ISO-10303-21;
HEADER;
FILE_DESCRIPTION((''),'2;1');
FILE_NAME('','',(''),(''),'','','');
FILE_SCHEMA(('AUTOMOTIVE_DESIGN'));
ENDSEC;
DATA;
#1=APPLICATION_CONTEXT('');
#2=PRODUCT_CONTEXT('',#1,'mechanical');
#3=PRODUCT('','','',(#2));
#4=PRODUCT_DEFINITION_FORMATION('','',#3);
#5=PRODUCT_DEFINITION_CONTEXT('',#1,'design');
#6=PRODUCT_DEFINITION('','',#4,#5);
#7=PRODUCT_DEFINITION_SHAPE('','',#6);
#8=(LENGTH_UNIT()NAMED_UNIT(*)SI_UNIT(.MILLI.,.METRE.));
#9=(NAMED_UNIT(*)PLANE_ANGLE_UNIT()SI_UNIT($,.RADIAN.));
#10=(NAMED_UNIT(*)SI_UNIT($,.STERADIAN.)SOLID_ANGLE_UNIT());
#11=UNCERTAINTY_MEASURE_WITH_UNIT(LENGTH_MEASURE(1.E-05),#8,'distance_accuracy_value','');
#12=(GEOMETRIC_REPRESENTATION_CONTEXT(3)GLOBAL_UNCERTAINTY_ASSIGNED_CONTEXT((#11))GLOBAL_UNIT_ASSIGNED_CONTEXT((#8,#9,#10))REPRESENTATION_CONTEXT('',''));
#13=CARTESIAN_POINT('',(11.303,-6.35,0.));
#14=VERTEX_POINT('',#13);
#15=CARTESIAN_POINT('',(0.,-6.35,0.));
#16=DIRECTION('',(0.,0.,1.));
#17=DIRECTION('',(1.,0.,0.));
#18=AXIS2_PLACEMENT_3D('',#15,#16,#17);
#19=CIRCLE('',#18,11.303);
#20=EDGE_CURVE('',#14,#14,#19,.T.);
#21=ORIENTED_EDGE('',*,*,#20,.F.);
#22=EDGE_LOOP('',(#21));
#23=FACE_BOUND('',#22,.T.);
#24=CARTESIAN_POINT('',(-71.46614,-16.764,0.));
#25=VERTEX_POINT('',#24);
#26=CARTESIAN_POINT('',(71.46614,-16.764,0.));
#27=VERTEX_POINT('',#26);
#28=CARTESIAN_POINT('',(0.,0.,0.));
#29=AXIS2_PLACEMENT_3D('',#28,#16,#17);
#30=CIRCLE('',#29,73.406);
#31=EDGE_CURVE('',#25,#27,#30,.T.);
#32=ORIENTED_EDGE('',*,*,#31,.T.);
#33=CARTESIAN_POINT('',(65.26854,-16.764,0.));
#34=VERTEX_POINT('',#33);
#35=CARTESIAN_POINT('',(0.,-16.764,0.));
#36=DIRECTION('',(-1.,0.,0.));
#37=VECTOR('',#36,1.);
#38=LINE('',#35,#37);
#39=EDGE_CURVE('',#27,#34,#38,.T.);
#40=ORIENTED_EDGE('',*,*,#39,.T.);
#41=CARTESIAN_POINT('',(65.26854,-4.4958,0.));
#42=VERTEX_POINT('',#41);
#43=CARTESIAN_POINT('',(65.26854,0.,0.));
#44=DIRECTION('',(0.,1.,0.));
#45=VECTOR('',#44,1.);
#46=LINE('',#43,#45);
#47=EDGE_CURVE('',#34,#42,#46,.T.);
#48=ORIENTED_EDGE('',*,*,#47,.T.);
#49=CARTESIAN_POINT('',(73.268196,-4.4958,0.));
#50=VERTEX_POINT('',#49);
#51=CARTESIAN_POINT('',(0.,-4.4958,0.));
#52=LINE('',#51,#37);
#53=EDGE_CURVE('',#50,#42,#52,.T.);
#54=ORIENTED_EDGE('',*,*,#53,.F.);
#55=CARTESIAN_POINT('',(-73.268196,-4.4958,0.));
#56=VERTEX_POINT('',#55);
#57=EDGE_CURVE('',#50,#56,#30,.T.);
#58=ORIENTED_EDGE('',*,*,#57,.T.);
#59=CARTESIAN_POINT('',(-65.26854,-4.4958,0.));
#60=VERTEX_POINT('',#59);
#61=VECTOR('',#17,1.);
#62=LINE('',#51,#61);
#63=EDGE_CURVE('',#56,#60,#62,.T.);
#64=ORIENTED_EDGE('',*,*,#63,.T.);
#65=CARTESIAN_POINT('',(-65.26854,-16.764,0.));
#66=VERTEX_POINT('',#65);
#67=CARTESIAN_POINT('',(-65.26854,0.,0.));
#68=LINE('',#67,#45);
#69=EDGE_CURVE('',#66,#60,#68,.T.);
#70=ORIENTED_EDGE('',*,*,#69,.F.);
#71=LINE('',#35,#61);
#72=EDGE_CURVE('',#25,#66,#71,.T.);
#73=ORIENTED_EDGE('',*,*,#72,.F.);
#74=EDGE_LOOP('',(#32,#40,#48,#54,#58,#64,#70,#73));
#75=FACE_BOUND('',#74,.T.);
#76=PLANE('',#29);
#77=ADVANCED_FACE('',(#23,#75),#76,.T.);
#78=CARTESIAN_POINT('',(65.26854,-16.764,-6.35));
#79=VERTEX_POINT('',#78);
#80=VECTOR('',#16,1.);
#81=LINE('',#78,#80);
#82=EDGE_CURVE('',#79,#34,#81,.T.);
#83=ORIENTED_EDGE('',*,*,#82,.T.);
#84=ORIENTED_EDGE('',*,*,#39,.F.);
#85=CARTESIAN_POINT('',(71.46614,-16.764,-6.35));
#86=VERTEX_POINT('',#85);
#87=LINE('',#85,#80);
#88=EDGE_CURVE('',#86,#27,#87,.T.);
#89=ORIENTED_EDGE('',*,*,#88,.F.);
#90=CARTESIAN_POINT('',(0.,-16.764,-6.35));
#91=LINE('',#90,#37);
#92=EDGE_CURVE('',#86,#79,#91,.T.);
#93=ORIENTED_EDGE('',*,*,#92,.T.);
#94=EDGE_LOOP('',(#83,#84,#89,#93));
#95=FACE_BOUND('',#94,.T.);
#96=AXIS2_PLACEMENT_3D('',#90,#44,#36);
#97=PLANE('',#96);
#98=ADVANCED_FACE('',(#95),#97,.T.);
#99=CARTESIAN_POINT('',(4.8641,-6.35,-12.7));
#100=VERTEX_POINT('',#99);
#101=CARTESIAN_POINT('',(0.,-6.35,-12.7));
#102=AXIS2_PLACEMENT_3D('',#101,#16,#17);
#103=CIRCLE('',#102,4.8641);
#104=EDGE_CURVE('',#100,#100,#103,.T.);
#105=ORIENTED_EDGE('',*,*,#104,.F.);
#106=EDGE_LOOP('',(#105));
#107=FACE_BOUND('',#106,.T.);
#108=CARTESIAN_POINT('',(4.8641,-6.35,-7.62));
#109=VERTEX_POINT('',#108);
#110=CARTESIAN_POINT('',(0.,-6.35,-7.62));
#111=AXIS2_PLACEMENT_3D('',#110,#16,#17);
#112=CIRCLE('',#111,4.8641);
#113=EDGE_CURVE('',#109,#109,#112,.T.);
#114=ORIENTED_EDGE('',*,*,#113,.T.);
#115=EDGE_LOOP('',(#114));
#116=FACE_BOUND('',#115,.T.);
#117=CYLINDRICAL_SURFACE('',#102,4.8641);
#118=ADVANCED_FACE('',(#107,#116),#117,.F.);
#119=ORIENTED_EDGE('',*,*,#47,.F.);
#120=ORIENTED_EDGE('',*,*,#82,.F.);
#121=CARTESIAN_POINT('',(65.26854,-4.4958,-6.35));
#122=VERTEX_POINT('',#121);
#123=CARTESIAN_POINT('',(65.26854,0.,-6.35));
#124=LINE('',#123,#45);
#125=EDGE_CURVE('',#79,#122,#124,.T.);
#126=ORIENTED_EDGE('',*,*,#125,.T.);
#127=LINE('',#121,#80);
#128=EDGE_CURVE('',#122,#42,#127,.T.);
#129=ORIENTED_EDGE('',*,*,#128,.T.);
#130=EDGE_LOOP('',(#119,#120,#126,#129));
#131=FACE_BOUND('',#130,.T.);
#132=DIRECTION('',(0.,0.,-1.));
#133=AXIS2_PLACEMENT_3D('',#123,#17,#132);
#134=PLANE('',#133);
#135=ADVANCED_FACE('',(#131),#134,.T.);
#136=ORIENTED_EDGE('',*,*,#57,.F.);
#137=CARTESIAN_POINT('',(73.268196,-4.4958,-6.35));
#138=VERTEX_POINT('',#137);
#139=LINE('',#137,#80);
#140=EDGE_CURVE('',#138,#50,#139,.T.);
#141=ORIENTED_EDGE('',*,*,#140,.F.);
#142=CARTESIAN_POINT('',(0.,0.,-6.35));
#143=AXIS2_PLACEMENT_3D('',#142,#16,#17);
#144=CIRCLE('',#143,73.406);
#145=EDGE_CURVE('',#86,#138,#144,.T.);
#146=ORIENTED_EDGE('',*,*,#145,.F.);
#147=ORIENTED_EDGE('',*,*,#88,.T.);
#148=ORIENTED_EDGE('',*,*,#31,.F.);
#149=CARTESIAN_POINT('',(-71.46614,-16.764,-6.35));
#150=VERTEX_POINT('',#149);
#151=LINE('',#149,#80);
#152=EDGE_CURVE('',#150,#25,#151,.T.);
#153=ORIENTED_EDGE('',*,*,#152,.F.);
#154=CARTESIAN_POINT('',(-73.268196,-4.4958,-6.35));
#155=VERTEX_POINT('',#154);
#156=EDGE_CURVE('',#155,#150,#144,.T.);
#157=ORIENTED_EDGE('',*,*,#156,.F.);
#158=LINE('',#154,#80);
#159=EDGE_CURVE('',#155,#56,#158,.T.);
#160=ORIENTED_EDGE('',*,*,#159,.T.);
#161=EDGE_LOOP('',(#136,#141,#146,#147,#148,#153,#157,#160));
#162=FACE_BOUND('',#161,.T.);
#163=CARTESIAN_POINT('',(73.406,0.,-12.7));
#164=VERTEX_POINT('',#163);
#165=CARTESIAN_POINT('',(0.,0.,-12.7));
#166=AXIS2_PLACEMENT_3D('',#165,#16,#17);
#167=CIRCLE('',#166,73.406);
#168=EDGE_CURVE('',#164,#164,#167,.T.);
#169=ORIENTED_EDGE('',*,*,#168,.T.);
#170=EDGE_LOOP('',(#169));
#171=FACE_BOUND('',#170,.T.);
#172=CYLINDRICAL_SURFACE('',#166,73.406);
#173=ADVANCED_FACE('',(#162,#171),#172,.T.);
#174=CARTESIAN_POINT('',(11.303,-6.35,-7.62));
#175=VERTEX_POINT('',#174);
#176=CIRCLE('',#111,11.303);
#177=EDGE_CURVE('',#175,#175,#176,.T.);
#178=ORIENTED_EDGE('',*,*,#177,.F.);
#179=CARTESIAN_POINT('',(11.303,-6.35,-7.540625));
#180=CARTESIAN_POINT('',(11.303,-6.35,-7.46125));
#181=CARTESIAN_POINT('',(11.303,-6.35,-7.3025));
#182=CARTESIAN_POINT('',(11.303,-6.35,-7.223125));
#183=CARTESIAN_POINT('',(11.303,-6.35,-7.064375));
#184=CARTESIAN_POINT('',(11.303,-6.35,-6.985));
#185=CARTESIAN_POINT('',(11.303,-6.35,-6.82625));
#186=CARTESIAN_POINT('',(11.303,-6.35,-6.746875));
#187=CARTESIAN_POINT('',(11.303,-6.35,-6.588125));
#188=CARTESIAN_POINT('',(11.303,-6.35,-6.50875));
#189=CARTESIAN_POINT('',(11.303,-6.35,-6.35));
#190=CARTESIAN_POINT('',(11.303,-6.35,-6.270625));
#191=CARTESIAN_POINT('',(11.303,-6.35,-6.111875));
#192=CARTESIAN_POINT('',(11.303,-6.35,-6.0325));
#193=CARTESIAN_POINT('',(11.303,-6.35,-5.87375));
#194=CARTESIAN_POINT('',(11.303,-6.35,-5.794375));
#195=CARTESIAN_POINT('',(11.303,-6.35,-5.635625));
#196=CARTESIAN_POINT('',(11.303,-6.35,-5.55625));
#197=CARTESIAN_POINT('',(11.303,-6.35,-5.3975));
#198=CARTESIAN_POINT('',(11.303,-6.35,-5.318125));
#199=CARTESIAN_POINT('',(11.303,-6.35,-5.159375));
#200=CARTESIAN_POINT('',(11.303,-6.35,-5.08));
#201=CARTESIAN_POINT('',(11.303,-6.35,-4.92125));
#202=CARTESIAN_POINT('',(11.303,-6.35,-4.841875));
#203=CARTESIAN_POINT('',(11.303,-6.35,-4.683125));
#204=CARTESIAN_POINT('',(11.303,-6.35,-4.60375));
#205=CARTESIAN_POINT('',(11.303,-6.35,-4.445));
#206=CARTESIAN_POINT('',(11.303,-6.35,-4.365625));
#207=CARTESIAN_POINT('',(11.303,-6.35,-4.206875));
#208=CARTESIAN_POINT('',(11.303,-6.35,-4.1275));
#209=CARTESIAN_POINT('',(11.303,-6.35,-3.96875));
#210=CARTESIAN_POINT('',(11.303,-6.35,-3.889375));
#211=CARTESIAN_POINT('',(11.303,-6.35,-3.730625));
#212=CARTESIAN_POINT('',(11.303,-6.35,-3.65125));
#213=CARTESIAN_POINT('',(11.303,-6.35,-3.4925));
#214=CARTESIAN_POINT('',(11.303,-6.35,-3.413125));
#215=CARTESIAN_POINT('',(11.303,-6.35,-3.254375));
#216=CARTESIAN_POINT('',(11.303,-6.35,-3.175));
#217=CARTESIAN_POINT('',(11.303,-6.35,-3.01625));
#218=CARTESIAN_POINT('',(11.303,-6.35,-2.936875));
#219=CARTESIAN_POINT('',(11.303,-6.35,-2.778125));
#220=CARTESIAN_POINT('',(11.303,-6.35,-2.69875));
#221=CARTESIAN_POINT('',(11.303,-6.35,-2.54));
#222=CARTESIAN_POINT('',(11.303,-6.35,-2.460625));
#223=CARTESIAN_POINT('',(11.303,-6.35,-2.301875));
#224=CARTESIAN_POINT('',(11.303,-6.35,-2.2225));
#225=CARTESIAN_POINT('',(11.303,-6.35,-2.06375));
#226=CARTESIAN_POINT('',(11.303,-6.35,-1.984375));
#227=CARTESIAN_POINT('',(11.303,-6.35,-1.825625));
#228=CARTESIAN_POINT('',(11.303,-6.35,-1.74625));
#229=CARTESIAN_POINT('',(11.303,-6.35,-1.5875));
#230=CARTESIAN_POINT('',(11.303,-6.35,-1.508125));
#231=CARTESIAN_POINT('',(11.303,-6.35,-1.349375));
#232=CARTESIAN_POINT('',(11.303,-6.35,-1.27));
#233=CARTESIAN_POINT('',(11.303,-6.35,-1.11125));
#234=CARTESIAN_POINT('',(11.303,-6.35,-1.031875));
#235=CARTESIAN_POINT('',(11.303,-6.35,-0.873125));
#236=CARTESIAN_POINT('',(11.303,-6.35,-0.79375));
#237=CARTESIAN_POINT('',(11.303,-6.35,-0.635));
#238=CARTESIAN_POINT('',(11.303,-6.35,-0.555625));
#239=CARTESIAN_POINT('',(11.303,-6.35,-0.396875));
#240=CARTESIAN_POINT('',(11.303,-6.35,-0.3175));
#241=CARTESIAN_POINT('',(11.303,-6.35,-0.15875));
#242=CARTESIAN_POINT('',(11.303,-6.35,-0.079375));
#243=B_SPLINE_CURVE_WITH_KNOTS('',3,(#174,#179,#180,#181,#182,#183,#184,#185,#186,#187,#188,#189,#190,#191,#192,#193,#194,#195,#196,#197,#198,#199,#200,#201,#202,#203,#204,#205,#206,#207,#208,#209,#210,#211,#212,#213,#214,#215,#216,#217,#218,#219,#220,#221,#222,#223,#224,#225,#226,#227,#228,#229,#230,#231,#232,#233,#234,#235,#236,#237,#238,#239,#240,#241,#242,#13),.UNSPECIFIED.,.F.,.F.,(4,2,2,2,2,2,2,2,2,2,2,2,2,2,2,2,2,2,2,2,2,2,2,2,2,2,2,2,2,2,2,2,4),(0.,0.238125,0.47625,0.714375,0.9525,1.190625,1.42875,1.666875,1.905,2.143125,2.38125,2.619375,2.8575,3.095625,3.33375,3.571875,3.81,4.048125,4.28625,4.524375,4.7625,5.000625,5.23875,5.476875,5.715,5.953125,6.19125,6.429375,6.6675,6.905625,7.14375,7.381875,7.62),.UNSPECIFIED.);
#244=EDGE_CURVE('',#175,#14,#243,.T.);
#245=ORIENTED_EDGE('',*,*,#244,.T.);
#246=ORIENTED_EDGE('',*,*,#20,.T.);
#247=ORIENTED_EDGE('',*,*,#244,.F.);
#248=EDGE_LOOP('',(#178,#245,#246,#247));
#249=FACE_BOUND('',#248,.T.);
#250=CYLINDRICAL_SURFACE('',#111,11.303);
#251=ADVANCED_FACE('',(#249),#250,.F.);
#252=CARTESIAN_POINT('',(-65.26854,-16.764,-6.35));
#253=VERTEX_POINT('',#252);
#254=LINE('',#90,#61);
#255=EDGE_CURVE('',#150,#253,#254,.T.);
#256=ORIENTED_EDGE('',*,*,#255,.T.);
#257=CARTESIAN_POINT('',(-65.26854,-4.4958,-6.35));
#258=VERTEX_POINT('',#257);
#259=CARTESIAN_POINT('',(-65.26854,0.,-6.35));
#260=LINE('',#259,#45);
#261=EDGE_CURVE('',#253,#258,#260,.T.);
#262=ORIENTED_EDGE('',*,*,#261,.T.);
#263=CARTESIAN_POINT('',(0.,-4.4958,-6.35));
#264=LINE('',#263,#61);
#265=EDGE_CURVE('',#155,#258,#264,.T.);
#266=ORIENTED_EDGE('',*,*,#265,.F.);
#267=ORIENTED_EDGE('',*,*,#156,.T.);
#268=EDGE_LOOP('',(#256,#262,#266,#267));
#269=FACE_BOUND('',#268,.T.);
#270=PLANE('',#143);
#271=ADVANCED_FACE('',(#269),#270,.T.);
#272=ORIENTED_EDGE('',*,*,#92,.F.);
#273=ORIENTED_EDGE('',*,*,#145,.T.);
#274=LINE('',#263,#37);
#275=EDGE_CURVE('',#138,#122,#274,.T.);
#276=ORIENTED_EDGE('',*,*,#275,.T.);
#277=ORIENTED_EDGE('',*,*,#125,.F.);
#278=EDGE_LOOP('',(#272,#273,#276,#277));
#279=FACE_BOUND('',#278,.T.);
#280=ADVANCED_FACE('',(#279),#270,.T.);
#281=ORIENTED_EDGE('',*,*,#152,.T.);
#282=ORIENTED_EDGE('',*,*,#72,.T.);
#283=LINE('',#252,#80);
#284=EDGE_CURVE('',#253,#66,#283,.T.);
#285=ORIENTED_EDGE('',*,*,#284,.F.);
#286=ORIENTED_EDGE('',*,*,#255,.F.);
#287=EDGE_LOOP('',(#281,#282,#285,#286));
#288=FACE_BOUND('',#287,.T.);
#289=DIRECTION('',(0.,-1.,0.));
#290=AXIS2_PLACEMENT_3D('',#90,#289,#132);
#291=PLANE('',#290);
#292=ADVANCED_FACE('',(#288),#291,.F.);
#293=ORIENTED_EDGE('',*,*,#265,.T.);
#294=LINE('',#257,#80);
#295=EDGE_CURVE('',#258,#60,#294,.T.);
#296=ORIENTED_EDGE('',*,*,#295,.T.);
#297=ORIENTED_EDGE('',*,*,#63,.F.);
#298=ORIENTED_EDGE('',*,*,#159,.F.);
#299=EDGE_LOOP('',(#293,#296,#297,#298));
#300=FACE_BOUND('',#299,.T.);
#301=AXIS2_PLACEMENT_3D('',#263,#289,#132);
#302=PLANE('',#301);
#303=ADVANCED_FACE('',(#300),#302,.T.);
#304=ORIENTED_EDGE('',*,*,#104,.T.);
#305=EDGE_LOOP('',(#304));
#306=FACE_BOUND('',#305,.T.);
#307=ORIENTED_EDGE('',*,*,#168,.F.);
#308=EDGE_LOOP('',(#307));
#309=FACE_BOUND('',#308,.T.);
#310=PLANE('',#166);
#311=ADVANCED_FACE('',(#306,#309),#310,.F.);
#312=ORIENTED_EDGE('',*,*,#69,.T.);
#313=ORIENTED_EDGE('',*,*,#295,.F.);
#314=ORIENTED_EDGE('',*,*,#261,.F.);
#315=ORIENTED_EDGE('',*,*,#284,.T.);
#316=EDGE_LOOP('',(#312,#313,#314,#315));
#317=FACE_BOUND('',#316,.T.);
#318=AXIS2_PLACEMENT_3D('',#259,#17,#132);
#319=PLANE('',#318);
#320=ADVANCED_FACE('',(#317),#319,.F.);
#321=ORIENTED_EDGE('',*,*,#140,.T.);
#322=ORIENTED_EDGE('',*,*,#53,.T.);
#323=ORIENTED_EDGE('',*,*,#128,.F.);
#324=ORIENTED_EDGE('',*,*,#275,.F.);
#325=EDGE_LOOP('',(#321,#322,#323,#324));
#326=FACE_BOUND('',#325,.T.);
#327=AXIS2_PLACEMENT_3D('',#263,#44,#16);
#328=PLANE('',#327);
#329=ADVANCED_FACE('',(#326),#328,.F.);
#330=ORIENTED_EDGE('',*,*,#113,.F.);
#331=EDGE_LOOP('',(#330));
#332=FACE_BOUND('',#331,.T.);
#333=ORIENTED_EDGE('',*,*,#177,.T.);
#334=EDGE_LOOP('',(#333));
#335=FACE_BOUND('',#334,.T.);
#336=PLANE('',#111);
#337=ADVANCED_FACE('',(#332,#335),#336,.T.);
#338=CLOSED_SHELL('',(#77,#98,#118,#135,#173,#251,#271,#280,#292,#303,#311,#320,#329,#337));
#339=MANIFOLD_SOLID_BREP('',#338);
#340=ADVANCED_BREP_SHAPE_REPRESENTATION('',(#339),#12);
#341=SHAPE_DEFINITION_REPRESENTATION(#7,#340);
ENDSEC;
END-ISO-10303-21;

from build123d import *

# Parameters (mm, degrees)
SKETCH1_R           = 73.406
BOSS_EXTRUDE1_DEPTH = 12.7
CUT_EXTRUDE1_DEPTH  = 6.35
SKETCH3_R           = 11.303
CUT_EXTRUDE2_DEPTH  = 7.62
SKETCH4_R           = 4.8641
CUT_EXTRUDE3_DEPTH  = 105.585714474


with BuildPart() as part:
    # Sketch1 → Boss-Extrude1 (new body)
    with BuildSketch(Plane.XY):
        Circle(SKETCH1_R)
    extrude(amount=-BOSS_EXTRUDE1_DEPTH)

    # Sketch2 → Cut-Extrude1 (cut)
    with BuildSketch(Plane.XY):
        Polygon((-71.466139815, -4.4958), (-71.466139815, -16.764), (-65.268539815, -16.764), (-65.268539815, -4.4958), (-67.31, -4.4958), align=None)
        with BuildLine():
            ThreePointArc((-73.2681965, -4.4958), (-72.626676985, -10.668018845), (-71.466139815, -16.764))
            Line((-71.466139815, -16.764), (-71.466139815, -4.4958))
            Line((-71.466139815, -4.4958), (-73.2681965, -4.4958))
        make_face()
        Polygon((71.466139815, -16.764), (71.466139815, -4.4958), (67.31, -4.4958), (65.268539815, -4.4958), (65.268539815, -16.764), align=None)
        with BuildLine():
            Line((73.2681965, -4.4958), (71.466139815, -4.4958))
            Line((71.466139815, -4.4958), (71.466139815, -16.764))
            ThreePointArc((71.466139815, -16.764), (72.626676985, -10.668018845), (73.2681965, -4.4958))
        make_face()
    extrude(amount=-CUT_EXTRUDE1_DEPTH, mode=Mode.SUBTRACT)

    # Sketch3 → Cut-Extrude2 (cut)
    with BuildSketch(Plane.XY):
        with Locations((0, -6.35)):
            Circle(SKETCH3_R)
    extrude(amount=-CUT_EXTRUDE2_DEPTH, mode=Mode.SUBTRACT)

    # Sketch4 → Cut-Extrude3 (cut, through all)
    with BuildSketch(Plane.XY):
        with Locations((0, -6.35)):
            Circle(SKETCH4_R)
    extrude(amount=-CUT_EXTRUDE3_DEPTH, mode=Mode.SUBTRACT)


solid = part.part
